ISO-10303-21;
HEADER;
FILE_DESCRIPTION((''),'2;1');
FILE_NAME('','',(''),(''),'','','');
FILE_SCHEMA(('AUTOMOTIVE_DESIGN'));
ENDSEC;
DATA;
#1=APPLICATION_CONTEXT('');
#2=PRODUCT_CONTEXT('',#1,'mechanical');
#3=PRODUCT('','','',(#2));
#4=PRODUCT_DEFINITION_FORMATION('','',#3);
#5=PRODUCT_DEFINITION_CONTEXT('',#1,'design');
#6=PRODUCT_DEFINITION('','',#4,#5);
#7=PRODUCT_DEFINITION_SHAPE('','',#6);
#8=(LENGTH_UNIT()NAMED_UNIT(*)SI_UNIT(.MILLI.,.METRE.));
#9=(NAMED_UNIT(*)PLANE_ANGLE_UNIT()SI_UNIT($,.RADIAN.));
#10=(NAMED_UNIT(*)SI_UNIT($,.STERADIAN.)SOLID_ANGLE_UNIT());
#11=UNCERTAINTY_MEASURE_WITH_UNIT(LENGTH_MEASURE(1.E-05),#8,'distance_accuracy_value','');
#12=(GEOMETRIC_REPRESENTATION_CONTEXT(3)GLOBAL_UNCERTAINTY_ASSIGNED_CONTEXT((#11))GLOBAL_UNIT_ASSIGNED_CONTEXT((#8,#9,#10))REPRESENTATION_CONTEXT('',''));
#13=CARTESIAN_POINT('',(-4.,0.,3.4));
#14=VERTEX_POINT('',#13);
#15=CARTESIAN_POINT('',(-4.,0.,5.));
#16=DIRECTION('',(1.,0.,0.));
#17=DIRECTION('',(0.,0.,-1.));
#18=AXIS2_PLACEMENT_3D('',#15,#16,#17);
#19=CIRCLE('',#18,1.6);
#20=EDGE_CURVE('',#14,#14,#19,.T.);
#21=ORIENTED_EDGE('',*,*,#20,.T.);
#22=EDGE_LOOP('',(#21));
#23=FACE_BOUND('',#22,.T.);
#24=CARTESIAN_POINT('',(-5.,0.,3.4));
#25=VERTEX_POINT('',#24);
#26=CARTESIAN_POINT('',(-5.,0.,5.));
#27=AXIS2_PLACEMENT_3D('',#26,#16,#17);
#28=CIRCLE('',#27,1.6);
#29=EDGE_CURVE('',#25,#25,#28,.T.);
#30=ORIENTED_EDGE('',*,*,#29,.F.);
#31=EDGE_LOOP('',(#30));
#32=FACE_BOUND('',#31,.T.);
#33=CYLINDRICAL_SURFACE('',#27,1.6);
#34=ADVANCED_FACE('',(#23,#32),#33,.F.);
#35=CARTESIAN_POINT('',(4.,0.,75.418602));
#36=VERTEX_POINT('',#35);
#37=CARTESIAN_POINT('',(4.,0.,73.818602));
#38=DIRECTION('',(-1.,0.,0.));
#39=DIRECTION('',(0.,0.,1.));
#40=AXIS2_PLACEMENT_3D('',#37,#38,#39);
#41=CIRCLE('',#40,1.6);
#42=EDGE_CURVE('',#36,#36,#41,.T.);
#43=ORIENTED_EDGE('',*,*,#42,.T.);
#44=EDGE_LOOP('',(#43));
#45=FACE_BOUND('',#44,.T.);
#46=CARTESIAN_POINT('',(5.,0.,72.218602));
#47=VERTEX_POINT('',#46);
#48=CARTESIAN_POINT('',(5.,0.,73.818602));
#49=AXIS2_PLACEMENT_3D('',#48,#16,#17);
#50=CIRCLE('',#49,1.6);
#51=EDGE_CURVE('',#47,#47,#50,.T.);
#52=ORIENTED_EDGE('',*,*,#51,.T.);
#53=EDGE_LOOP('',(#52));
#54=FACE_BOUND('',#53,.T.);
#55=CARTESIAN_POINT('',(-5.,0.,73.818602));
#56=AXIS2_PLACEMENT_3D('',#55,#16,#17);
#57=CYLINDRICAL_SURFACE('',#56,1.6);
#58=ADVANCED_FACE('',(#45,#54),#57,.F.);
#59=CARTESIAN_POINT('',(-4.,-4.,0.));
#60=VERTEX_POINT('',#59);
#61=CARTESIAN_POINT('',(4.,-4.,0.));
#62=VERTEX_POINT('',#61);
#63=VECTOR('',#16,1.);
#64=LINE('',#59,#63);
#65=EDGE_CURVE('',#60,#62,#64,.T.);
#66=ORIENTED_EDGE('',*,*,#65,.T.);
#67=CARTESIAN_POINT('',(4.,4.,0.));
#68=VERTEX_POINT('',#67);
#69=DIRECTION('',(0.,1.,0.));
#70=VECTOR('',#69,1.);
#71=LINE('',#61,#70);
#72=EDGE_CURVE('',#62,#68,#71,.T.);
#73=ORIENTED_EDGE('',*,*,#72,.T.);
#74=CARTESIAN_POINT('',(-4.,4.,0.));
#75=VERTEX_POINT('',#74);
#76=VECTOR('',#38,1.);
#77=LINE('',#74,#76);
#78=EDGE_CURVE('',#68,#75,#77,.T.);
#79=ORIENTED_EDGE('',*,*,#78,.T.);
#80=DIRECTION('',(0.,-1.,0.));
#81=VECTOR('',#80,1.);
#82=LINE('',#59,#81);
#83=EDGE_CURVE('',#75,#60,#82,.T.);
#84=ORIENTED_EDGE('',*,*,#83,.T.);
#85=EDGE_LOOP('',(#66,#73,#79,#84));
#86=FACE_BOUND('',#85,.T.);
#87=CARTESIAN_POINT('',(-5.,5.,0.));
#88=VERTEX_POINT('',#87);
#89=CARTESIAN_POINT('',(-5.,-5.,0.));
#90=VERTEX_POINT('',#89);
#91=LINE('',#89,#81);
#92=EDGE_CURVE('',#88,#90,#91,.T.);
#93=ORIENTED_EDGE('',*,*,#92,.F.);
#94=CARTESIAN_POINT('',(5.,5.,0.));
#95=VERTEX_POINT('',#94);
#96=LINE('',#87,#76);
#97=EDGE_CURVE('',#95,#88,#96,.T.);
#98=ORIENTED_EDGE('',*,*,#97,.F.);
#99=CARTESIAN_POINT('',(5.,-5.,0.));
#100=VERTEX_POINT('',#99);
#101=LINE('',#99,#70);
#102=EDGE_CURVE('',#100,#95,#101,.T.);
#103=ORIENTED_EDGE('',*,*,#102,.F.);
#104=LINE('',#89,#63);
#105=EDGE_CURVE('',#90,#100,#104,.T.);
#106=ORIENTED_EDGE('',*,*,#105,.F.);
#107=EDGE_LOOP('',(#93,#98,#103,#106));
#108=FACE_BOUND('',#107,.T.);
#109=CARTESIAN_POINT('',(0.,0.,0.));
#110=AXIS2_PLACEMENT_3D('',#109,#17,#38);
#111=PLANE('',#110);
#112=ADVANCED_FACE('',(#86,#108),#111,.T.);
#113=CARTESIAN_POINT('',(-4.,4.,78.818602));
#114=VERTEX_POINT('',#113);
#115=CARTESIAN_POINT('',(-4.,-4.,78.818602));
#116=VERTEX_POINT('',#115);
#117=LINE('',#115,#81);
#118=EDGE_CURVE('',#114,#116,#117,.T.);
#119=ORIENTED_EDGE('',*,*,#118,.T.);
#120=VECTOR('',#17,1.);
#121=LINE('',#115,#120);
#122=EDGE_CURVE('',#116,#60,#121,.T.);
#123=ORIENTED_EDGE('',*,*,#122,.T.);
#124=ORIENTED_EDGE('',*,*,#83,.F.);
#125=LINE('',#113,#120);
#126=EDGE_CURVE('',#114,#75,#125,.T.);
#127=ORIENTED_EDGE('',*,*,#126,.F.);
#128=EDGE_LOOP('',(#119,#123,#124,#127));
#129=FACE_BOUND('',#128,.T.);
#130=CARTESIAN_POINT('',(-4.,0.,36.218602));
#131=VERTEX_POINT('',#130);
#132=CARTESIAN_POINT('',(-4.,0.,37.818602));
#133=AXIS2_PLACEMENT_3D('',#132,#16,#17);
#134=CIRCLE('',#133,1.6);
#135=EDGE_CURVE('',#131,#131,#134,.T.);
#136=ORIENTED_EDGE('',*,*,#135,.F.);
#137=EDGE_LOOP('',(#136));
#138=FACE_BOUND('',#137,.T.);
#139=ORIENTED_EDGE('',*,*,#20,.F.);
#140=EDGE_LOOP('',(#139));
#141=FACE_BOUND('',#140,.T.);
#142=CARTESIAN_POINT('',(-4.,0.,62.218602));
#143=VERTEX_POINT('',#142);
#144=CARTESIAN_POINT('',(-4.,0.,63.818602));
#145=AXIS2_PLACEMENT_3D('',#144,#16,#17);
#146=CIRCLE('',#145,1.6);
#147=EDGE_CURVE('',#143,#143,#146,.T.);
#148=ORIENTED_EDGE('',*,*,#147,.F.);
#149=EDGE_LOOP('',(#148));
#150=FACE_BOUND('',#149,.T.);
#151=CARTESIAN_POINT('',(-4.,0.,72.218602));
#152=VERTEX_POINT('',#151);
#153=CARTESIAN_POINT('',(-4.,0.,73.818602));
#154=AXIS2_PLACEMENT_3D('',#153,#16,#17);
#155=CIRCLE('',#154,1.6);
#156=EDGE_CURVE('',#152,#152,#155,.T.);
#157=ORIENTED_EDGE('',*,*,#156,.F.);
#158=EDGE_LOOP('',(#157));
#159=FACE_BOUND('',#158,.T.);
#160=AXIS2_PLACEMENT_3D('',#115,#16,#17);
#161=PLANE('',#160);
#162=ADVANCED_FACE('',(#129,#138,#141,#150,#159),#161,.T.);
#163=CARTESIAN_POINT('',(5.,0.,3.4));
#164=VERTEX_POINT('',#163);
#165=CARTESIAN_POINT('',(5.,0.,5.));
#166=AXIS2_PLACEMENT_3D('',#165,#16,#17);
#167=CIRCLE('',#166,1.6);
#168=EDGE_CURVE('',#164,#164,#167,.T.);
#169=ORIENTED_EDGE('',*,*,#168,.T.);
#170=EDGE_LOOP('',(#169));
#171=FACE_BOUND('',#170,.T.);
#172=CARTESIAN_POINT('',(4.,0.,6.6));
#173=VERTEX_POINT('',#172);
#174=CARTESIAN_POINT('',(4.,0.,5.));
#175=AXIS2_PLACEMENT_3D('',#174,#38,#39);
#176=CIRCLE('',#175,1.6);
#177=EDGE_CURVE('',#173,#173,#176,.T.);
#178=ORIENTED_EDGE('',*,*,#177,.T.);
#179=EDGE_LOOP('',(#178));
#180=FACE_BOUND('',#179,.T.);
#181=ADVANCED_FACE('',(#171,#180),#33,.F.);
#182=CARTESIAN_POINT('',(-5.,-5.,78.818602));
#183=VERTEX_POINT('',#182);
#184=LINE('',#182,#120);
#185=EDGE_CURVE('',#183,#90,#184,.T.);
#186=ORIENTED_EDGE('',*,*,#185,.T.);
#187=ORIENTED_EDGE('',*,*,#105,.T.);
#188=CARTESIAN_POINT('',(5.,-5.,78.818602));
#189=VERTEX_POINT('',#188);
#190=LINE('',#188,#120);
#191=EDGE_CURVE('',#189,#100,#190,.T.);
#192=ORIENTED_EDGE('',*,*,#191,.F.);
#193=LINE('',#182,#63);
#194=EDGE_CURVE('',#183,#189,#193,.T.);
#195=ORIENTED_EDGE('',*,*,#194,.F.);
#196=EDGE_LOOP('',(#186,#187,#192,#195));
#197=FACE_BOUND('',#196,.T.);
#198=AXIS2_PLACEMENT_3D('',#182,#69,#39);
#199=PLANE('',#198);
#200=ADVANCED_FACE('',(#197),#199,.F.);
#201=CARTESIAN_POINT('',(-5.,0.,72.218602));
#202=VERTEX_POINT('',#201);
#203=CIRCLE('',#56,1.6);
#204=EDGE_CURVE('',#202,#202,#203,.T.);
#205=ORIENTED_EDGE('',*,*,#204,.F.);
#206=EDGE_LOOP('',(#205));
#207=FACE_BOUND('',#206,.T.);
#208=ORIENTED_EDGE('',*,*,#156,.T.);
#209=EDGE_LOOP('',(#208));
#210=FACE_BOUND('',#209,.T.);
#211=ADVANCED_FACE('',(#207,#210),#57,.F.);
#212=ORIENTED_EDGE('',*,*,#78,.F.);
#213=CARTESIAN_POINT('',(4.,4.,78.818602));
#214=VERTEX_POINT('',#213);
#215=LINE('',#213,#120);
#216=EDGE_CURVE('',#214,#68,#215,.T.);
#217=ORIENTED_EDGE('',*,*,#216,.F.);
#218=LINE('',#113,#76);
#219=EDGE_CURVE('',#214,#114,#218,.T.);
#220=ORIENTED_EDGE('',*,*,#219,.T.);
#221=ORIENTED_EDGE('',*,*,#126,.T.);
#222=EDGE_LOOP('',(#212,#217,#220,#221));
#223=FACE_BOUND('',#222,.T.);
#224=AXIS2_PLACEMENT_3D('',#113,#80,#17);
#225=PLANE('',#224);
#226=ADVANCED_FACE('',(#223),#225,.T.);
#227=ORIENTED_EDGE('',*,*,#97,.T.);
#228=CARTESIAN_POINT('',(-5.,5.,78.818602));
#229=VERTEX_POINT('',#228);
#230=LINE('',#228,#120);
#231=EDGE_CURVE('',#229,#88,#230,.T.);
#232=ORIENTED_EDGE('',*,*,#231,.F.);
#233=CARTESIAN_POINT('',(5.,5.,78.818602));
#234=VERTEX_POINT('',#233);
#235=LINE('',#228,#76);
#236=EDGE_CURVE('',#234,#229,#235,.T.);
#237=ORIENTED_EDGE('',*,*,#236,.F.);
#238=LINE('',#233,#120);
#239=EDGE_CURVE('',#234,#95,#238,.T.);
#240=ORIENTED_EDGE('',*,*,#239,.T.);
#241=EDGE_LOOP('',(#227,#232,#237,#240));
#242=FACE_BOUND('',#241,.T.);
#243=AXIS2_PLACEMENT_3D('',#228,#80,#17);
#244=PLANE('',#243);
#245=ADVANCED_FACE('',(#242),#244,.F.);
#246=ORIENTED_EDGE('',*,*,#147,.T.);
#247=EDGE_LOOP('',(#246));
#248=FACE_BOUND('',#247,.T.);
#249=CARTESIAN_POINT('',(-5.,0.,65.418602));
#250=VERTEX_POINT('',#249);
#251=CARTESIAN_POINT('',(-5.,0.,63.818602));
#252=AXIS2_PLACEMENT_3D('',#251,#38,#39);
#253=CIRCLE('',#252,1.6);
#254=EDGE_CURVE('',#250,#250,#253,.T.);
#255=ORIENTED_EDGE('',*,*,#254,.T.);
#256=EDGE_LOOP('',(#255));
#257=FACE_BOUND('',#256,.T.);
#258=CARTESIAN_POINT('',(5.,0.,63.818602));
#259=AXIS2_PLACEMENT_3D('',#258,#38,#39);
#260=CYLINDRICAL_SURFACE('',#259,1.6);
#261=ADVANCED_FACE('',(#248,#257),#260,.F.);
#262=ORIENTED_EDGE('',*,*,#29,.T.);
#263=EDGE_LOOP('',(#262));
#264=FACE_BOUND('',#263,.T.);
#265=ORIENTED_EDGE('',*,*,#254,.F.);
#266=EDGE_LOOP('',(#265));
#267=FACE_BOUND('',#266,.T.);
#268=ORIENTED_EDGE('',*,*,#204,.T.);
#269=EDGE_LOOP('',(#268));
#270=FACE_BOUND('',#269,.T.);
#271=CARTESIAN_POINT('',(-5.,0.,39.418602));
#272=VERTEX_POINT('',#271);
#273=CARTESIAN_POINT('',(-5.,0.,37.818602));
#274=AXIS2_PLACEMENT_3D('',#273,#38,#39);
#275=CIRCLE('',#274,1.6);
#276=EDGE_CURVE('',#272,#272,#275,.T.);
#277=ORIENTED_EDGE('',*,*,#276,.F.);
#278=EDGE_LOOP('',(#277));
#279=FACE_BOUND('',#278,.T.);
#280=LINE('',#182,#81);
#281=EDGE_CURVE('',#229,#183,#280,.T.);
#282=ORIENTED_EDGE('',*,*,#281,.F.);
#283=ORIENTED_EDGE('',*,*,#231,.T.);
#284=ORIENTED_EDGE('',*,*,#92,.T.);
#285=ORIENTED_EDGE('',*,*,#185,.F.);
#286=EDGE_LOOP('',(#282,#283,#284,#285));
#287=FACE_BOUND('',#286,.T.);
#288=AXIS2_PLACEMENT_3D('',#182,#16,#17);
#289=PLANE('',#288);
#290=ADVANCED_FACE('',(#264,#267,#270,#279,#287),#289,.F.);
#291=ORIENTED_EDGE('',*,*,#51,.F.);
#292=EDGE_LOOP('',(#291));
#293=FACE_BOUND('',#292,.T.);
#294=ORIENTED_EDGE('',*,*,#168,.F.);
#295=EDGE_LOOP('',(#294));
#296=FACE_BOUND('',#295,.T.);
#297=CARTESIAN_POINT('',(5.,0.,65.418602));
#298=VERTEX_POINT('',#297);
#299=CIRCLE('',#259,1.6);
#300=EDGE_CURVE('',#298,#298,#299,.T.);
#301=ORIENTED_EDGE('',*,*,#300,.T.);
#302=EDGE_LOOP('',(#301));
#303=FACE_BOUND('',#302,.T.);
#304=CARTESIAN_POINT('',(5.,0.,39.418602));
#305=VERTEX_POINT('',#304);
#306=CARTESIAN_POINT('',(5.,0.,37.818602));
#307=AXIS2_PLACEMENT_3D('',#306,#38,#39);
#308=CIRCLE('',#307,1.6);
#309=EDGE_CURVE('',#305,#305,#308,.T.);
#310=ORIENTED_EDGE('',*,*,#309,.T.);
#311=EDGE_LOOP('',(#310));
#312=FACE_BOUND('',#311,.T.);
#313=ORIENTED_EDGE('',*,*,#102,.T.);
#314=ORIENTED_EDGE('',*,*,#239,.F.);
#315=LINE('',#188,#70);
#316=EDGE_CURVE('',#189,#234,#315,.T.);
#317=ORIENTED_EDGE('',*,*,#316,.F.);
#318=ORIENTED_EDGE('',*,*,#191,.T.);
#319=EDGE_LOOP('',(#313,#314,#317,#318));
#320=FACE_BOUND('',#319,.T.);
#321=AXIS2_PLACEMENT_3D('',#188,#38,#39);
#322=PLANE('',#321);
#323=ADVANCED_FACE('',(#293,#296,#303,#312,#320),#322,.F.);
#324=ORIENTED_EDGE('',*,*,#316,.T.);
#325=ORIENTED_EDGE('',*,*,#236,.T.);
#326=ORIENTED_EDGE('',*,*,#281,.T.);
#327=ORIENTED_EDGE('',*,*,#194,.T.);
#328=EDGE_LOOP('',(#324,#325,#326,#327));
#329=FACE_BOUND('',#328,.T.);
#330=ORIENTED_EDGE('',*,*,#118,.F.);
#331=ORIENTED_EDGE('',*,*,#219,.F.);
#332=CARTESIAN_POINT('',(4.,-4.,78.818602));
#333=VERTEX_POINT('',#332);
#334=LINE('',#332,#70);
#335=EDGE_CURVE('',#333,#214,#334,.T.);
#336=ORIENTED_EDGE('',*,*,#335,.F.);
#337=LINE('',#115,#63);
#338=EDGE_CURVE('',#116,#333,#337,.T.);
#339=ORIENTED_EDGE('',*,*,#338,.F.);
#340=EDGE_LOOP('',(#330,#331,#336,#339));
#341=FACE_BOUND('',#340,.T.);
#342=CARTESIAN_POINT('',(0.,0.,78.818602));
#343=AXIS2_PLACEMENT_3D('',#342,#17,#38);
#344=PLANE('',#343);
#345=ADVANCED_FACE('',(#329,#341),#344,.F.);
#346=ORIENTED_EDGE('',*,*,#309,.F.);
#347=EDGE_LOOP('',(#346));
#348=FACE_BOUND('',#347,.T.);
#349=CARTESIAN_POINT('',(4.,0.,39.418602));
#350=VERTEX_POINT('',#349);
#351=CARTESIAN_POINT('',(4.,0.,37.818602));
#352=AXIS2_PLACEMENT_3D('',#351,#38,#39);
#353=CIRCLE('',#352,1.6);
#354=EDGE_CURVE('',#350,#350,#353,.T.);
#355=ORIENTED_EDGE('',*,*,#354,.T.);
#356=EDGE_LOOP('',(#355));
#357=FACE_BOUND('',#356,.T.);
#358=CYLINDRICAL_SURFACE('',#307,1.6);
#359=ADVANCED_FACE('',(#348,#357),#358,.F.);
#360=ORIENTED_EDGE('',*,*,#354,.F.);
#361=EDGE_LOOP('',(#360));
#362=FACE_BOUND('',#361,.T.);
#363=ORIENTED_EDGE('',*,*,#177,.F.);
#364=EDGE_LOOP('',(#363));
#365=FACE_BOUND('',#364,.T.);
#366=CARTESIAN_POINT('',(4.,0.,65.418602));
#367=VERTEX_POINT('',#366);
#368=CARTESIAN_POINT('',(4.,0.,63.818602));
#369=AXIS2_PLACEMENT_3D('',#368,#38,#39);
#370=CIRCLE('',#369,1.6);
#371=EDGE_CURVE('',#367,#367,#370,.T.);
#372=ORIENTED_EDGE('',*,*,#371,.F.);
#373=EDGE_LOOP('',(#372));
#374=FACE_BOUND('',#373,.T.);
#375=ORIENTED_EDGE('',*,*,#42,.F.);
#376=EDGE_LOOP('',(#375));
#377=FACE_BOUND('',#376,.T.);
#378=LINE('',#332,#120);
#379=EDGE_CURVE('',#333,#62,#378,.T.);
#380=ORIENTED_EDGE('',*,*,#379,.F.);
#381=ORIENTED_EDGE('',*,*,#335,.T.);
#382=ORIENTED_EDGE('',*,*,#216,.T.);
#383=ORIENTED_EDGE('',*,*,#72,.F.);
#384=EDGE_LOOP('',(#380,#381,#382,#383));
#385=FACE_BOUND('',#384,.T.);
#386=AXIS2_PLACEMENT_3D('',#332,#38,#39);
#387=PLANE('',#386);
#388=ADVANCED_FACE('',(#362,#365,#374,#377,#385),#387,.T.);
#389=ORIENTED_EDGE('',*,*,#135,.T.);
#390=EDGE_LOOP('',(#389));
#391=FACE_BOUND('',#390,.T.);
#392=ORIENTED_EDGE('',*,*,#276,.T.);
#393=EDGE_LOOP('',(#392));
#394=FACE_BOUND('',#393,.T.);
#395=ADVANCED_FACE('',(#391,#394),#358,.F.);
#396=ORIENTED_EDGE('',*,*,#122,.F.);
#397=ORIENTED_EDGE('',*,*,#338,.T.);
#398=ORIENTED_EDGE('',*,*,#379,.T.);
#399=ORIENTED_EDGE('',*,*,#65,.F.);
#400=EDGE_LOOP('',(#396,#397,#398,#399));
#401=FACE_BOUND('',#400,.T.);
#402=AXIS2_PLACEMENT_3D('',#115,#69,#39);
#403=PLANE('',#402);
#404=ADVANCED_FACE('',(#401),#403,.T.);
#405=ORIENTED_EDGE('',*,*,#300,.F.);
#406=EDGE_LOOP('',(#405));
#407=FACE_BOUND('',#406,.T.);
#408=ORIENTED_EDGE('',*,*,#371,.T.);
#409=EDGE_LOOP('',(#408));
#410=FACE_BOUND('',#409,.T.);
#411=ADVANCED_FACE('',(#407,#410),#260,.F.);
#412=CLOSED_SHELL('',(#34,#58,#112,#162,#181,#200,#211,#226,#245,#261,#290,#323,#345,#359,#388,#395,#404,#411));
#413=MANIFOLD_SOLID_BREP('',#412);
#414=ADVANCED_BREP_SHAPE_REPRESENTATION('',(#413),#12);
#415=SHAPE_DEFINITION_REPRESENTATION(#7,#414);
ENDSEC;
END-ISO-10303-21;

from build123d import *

# Parameters (mm, degrees)
SKETCH_1_W          = 10
SKETCH_1_H          = 10
SKETCH_1_W_2        = 8
SKETCH_1_H_2        = 8
EXTRUDE_1_DEPTH     = 78.81860214
SKETCH_2_R          = 1.6
CUT_EXTRUDE_1_DEPTH = 80.607612973
SKETCH_3_R          = 1.6
CUT_EXTRUDE_3_DEPTH = 80.607612973


with BuildPart() as part:
    # ｽｹｯﾁ1 → ﾎﾞｽ - 押し出し1 (new body)
    with BuildSketch(Plane.XY):
        Rectangle(SKETCH_1_W, SKETCH_1_H)
        Rectangle(SKETCH_1_W_2, SKETCH_1_H_2, mode=Mode.SUBTRACT)
    extrude(amount=EXTRUDE_1_DEPTH)

    # ｽｹｯﾁ2 → ｶｯﾄ - 押し出し1 (cut, through all)
    with BuildSketch(Plane(origin=(5, 0, 0), x_dir=(0, 0, -1), z_dir=(1, 0, 0))):
        with Locations((-5, 0)):
            Circle(SKETCH_2_R)
        with Locations((-73.81860214, 0)):
            Circle(SKETCH_2_R)
    extrude(amount=-CUT_EXTRUDE_1_DEPTH, mode=Mode.SUBTRACT)

    # ｽｹｯﾁ3 → ｶｯﾄ - 押し出し3 (cut, through all)
    with BuildSketch(Plane.ZY.offset(5)):
        with Locations((63.81860214, 0)):
            Circle(SKETCH_3_R)
        with Locations((37.81860214, 0)):
            Circle(SKETCH_3_R)
    extrude(amount=-CUT_EXTRUDE_3_DEPTH, mode=Mode.SUBTRACT)


solid = part.part
